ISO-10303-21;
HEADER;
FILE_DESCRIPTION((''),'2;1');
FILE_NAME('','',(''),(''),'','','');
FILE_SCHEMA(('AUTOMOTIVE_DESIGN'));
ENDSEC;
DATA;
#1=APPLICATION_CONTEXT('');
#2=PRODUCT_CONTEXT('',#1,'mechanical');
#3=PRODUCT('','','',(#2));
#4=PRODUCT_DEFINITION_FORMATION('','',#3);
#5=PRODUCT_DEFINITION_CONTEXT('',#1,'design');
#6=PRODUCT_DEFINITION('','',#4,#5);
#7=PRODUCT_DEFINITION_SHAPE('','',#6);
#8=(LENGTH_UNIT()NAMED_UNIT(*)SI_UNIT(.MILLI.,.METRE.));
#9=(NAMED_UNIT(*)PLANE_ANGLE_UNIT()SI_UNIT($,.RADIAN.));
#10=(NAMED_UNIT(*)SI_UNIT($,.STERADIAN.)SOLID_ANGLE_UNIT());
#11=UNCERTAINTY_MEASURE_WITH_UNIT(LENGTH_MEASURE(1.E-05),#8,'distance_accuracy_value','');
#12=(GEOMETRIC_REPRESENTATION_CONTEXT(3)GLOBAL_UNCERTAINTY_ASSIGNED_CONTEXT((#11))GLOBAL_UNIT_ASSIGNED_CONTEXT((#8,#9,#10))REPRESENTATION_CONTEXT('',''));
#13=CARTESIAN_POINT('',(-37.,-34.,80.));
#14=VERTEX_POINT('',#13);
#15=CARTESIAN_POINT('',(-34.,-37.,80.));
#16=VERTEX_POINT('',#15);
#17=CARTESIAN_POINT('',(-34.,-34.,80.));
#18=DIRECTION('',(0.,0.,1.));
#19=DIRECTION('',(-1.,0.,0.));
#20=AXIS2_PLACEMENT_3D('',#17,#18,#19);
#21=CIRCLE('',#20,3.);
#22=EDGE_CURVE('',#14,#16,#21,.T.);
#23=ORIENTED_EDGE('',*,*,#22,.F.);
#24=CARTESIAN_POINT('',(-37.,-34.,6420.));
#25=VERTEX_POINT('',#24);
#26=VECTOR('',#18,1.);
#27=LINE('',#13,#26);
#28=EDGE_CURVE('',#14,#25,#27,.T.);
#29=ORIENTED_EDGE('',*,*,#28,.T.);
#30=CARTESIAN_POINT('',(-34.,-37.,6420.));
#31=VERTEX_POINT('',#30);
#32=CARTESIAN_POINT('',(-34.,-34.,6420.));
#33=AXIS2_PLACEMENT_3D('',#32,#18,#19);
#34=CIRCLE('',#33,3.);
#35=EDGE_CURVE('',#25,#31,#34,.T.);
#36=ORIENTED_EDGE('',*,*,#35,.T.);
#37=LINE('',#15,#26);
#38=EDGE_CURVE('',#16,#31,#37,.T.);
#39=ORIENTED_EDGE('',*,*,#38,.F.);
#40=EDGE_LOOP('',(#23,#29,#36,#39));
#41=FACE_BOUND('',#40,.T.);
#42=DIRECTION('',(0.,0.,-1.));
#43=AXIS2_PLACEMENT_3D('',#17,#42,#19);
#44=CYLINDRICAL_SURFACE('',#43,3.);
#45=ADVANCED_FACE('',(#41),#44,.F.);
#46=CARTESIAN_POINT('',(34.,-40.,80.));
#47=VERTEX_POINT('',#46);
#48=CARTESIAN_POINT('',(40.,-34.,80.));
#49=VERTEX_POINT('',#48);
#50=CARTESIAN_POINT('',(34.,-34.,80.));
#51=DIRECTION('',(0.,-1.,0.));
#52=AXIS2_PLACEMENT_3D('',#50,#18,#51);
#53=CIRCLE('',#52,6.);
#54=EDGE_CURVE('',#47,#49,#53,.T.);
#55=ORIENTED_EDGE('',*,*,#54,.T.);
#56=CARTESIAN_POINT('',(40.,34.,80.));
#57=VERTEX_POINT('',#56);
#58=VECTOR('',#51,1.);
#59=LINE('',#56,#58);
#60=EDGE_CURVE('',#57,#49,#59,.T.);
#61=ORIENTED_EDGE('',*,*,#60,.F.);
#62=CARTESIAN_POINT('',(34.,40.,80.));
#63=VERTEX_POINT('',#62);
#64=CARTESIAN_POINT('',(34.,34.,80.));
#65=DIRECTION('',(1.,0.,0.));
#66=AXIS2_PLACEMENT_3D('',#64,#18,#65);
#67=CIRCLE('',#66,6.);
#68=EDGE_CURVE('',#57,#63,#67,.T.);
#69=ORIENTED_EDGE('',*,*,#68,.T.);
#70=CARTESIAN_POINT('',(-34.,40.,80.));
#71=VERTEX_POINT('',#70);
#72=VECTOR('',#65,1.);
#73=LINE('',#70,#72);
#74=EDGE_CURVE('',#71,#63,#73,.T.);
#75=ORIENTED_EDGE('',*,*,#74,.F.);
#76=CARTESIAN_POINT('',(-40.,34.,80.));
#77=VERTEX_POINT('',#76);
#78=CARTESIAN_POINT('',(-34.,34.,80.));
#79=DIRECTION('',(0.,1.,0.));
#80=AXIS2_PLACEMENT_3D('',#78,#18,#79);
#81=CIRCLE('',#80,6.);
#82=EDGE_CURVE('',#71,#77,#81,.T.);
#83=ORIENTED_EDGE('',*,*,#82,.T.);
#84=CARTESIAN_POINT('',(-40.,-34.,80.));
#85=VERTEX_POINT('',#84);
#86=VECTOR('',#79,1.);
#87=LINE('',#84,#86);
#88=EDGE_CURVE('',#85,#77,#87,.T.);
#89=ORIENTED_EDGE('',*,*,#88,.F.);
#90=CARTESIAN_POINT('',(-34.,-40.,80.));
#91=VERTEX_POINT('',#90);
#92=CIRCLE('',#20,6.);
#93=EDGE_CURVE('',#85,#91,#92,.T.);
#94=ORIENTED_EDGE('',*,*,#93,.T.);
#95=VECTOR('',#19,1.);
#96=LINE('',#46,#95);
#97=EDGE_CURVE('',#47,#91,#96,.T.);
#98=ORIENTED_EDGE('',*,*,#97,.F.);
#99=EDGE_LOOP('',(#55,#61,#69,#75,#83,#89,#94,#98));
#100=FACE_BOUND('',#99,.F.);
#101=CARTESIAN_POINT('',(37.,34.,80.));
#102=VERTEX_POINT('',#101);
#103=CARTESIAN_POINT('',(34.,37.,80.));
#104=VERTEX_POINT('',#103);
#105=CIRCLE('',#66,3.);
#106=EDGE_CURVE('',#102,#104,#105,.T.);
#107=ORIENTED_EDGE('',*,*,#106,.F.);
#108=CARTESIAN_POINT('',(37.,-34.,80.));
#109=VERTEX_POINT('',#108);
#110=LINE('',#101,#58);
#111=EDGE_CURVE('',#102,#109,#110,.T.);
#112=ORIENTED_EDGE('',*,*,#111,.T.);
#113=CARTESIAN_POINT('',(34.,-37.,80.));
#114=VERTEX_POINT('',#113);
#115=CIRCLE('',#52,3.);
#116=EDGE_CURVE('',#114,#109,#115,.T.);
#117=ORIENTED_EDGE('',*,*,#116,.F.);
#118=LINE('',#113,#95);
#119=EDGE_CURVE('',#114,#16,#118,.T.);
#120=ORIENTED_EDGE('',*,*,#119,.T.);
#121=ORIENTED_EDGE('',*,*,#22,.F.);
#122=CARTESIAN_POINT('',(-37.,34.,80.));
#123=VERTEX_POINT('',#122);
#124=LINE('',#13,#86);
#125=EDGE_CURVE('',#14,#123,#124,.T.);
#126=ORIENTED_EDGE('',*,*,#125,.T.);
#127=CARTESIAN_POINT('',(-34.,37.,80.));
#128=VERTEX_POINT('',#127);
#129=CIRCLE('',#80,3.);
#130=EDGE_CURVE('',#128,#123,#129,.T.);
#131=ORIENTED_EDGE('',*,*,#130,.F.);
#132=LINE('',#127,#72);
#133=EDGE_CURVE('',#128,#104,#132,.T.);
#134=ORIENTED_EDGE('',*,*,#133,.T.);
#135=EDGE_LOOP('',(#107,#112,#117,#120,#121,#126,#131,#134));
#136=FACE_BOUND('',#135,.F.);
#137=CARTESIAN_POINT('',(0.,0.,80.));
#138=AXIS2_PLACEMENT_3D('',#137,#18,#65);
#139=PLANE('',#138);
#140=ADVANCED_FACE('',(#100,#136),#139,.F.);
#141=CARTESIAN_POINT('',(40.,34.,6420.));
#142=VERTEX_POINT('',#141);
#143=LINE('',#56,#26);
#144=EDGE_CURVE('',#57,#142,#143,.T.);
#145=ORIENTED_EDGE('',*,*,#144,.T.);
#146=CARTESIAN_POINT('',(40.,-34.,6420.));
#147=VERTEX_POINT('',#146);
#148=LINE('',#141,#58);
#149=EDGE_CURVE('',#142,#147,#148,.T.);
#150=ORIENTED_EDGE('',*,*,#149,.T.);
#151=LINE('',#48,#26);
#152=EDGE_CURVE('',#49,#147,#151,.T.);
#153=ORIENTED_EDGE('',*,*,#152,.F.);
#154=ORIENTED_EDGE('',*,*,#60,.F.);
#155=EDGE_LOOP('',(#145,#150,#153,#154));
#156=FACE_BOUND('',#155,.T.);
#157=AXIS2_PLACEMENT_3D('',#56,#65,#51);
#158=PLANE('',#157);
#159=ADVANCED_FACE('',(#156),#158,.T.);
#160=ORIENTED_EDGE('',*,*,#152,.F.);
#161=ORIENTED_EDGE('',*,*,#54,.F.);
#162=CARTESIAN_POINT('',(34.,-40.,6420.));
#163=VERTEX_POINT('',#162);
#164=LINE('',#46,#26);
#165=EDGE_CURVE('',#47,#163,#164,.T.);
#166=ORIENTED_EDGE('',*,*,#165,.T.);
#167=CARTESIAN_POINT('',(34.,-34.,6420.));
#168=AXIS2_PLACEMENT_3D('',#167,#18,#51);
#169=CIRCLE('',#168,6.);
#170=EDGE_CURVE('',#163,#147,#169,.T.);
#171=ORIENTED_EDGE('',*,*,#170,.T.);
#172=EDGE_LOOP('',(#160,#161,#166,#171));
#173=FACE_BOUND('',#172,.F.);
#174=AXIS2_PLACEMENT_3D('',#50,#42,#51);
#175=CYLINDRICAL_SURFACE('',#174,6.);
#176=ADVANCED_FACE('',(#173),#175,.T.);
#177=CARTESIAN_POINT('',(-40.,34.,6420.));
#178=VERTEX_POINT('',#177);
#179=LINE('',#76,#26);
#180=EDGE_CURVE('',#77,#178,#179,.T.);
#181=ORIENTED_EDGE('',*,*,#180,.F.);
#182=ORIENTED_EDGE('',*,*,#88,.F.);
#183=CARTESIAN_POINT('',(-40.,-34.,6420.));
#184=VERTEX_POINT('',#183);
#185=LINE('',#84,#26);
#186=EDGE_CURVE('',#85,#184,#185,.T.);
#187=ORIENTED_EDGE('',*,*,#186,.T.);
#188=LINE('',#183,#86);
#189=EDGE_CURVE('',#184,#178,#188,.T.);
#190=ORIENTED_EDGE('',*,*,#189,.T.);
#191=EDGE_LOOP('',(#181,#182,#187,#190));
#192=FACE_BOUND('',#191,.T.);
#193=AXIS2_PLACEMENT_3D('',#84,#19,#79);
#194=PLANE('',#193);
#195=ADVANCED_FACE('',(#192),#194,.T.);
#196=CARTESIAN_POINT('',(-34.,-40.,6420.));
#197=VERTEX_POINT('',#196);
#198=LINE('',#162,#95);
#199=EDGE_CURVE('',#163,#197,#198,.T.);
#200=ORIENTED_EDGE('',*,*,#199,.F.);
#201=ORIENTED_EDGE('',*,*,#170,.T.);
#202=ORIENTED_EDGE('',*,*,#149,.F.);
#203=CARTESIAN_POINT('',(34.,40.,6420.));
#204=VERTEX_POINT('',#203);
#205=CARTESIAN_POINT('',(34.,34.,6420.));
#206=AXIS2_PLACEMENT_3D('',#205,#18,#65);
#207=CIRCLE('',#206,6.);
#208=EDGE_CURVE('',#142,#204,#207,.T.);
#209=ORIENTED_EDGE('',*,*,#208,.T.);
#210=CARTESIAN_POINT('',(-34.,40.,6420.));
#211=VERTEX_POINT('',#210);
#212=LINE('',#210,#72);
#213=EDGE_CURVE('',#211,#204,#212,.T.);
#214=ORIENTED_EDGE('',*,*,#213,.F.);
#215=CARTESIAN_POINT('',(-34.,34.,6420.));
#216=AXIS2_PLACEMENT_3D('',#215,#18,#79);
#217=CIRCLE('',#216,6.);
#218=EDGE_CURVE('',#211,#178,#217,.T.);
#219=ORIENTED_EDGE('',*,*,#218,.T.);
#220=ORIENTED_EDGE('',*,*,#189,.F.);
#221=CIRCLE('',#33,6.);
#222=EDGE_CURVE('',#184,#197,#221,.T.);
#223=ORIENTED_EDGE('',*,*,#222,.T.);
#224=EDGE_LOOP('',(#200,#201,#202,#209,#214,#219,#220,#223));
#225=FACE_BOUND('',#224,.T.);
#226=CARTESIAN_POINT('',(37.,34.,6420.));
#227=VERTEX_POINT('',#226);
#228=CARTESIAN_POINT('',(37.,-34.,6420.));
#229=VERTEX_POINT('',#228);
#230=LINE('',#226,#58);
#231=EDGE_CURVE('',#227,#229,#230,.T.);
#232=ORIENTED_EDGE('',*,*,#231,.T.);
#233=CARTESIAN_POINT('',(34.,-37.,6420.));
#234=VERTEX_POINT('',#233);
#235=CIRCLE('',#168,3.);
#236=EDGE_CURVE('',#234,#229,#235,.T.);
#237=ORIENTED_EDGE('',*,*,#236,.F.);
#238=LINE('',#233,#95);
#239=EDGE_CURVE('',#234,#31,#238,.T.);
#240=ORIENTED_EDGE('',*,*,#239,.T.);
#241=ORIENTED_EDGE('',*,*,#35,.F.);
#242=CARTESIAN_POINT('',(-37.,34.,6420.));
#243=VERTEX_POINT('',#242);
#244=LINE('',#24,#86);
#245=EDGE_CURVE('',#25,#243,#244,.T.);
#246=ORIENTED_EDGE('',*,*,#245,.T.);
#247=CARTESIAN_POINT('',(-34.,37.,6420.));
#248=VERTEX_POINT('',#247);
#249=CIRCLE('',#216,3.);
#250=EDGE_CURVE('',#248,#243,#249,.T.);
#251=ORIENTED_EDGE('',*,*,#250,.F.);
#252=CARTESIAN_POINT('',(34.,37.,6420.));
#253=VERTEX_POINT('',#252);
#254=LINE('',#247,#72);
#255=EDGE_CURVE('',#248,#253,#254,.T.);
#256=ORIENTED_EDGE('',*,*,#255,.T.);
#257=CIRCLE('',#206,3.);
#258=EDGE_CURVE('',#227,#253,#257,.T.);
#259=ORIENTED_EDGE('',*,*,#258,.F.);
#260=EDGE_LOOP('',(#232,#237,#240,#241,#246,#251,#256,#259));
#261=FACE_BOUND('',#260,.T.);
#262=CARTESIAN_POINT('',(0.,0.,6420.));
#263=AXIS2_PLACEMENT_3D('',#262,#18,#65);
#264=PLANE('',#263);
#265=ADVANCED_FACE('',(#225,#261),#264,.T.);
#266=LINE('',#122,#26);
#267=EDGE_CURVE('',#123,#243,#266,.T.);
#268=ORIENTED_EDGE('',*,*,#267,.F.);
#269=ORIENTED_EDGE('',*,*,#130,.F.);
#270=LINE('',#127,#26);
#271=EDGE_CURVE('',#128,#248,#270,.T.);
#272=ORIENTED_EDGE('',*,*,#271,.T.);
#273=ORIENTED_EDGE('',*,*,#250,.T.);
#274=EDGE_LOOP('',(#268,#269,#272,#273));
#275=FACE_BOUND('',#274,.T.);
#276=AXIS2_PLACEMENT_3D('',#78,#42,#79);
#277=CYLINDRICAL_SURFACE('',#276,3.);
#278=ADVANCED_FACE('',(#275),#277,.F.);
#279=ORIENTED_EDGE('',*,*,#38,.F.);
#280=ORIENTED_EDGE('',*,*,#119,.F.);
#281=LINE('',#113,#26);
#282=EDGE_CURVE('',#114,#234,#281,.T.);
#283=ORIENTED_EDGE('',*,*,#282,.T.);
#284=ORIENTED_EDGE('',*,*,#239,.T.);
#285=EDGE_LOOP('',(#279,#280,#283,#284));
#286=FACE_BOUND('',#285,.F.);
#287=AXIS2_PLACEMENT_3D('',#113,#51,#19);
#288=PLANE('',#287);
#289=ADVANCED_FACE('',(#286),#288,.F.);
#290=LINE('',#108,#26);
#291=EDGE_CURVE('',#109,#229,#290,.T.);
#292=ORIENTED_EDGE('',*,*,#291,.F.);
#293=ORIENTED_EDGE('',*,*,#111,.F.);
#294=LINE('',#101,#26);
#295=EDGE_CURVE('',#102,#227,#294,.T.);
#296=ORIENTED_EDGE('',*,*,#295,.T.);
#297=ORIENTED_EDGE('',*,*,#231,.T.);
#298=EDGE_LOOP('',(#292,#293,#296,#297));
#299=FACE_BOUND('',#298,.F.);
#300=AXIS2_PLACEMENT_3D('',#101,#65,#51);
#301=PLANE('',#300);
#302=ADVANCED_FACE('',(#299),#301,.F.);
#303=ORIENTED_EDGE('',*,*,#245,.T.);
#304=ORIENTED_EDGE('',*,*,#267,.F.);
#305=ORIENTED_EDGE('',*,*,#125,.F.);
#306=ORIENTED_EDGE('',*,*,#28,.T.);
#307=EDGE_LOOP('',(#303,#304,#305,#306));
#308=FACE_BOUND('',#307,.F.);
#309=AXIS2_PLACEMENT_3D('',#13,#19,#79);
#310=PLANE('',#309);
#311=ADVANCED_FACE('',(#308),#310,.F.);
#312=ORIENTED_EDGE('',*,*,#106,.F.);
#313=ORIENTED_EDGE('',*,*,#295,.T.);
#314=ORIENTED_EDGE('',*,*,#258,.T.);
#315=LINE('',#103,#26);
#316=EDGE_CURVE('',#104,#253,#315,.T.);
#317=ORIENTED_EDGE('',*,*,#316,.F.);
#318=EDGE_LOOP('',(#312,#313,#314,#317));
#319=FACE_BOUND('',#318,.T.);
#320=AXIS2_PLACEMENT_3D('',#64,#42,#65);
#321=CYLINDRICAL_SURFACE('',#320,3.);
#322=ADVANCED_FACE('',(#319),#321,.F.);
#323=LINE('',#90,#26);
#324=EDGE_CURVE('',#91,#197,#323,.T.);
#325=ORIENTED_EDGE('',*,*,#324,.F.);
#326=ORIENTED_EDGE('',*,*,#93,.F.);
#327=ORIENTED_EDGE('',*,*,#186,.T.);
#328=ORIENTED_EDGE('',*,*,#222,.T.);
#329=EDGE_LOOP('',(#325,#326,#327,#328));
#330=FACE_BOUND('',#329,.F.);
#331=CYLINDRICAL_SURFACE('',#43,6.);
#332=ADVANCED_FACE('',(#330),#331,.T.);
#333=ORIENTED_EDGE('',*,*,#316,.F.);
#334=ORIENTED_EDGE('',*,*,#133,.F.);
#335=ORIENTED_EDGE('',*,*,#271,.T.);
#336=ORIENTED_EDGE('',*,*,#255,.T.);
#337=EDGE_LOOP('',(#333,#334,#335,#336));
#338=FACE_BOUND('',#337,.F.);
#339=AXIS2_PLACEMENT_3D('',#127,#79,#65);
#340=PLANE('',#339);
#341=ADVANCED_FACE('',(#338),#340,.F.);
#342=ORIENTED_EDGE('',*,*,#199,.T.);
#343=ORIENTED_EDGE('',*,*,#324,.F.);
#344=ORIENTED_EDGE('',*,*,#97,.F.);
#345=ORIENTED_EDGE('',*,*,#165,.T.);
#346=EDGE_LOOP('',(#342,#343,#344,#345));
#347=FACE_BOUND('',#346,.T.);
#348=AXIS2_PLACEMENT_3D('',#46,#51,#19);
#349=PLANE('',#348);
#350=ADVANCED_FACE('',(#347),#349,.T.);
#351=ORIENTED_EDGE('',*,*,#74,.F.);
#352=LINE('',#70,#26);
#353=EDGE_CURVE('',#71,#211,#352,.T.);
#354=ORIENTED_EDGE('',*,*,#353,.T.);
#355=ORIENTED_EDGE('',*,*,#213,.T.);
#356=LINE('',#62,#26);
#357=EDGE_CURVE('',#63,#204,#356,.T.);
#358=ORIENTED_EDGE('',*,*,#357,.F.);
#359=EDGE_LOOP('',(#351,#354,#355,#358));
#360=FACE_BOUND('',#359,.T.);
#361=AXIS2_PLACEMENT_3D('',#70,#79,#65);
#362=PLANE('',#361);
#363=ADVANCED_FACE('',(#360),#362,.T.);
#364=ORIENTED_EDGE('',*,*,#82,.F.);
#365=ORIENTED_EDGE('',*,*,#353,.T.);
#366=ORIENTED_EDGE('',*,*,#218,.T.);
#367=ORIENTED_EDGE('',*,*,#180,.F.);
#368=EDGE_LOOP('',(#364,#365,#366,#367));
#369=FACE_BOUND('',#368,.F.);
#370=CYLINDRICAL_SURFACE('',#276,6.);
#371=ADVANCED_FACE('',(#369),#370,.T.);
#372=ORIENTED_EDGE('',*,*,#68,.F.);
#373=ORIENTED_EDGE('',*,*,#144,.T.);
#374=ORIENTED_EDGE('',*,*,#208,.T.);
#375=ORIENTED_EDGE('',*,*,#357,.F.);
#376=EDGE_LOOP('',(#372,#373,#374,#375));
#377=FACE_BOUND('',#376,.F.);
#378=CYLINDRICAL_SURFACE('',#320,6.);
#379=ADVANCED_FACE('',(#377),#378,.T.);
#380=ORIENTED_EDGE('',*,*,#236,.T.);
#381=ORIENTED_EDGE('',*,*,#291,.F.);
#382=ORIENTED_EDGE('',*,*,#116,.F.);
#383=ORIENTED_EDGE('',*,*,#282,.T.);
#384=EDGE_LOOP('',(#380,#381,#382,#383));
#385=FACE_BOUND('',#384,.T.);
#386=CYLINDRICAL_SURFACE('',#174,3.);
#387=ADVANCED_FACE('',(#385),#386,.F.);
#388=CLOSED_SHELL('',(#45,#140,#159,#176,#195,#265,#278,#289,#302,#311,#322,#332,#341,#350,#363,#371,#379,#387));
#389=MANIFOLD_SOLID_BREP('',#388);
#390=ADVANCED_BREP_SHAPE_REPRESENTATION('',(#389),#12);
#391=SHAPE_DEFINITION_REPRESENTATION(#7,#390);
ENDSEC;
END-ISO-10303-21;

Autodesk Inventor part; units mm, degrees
ref_plane "YZ Plane" through (0, 0, 0) normal (1, 0, 0) x (0, 1, 0)
ref_plane "Start Plane" through (0, 0, 80) normal (0, 0, 1) x (1, 0, 0)
ref_plane "End Plane" through (0, 0, 6420) normal (0, 0, 1) x (1, 0, 0)
sketch "Sketch" plane through (0, 0, 0) normal (0, 0, 1) x (1, 0, 0)
  line L0 (-40, -34) -> (-40, 34)
  line L1 (-34, 40) -> (34, 40)
  line L2 (40, 34) -> (40, -34)
  line L3 (34, -40) -> (-34, -40)
  arc A0 (-40, -34) -> (-34, -40) centre (-34, -34) ccw
  arc A1 (40, 34) -> (34, 40) centre (34, 34) ccw
  arc A2 (-34, 40) -> (-40, 34) centre (-34, 34) ccw
  arc A3 (34, -40) -> (40, -34) centre (34, -34) ccw
  arc A4 (-34, 37) -> (-37, 34) centre (-34, 34) ccw
  line L4 (-34, 37) -> (34, 37)
  arc A5 (37, 34) -> (34, 37) centre (34, 34) ccw
  line L5 (37, 34) -> (37, -34)
  arc A6 (34, -37) -> (37, -34) centre (34, -34) ccw
  line L6 (34, -37) -> (-34, -37)
  arc A7 (-37, -34) -> (-34, -37) centre (-34, -34) ccw
  line L7 (-37, -34) -> (-37, 34)
  line L8 (0, 57.7397) -> (0, -57.7397) construction
  line L9 (-57.7397, 0) -> (57.7397, 0) construction
  dimension "d7" = 6
  dimension "d9" = 80
  dimension "d11" = 80
  dimension "d12" = 3
  dimension "d15" = 40
  dimension "d16" = 40
extrude "Body" add sketch "Sketch" along normal up to surface (6340 mm away) from surface at 80
sketch "Sketch3" plane through (0, 0, 0) normal (0, 0, 1) x (1, 0, 0)
  line L0 (0, 0) -> (10, 0)
ref_plane "Work Plane3" through (0, 0, 0) normal (0, -1, 0) x (1, 0, 0)
sketch "Sketch4" plane through (0, 0, 0) normal (0, -1, 0) x (1, 0, 0)
  line L0 (-2, 80) -> (12, 80) projected
  line L1 (-2, 6420) -> (12, 6420) projected
  dimension "d18" = 6340
equation "\"d7\" = G_IR"
equation "\"d9\" = G_W"
equation "\"d11\" = G_H"
equation "\"d12\" = G_T"
equation "\"d15\" = 0.5 * d9"
equation "\"d16\" = 0.5 * d11"
equation "\"d3\" = G_L"
equation "\"G_W\" = 80"
equation "\"G_H\" = 80"
equation "\"G_T\" = 3"
equation "\"G_IR\" = 6"
equation "\"G_L\" = d18"
properties part number "ISO 10799-2 - 80x80x3 - 6340" material "Steel, Mild"
